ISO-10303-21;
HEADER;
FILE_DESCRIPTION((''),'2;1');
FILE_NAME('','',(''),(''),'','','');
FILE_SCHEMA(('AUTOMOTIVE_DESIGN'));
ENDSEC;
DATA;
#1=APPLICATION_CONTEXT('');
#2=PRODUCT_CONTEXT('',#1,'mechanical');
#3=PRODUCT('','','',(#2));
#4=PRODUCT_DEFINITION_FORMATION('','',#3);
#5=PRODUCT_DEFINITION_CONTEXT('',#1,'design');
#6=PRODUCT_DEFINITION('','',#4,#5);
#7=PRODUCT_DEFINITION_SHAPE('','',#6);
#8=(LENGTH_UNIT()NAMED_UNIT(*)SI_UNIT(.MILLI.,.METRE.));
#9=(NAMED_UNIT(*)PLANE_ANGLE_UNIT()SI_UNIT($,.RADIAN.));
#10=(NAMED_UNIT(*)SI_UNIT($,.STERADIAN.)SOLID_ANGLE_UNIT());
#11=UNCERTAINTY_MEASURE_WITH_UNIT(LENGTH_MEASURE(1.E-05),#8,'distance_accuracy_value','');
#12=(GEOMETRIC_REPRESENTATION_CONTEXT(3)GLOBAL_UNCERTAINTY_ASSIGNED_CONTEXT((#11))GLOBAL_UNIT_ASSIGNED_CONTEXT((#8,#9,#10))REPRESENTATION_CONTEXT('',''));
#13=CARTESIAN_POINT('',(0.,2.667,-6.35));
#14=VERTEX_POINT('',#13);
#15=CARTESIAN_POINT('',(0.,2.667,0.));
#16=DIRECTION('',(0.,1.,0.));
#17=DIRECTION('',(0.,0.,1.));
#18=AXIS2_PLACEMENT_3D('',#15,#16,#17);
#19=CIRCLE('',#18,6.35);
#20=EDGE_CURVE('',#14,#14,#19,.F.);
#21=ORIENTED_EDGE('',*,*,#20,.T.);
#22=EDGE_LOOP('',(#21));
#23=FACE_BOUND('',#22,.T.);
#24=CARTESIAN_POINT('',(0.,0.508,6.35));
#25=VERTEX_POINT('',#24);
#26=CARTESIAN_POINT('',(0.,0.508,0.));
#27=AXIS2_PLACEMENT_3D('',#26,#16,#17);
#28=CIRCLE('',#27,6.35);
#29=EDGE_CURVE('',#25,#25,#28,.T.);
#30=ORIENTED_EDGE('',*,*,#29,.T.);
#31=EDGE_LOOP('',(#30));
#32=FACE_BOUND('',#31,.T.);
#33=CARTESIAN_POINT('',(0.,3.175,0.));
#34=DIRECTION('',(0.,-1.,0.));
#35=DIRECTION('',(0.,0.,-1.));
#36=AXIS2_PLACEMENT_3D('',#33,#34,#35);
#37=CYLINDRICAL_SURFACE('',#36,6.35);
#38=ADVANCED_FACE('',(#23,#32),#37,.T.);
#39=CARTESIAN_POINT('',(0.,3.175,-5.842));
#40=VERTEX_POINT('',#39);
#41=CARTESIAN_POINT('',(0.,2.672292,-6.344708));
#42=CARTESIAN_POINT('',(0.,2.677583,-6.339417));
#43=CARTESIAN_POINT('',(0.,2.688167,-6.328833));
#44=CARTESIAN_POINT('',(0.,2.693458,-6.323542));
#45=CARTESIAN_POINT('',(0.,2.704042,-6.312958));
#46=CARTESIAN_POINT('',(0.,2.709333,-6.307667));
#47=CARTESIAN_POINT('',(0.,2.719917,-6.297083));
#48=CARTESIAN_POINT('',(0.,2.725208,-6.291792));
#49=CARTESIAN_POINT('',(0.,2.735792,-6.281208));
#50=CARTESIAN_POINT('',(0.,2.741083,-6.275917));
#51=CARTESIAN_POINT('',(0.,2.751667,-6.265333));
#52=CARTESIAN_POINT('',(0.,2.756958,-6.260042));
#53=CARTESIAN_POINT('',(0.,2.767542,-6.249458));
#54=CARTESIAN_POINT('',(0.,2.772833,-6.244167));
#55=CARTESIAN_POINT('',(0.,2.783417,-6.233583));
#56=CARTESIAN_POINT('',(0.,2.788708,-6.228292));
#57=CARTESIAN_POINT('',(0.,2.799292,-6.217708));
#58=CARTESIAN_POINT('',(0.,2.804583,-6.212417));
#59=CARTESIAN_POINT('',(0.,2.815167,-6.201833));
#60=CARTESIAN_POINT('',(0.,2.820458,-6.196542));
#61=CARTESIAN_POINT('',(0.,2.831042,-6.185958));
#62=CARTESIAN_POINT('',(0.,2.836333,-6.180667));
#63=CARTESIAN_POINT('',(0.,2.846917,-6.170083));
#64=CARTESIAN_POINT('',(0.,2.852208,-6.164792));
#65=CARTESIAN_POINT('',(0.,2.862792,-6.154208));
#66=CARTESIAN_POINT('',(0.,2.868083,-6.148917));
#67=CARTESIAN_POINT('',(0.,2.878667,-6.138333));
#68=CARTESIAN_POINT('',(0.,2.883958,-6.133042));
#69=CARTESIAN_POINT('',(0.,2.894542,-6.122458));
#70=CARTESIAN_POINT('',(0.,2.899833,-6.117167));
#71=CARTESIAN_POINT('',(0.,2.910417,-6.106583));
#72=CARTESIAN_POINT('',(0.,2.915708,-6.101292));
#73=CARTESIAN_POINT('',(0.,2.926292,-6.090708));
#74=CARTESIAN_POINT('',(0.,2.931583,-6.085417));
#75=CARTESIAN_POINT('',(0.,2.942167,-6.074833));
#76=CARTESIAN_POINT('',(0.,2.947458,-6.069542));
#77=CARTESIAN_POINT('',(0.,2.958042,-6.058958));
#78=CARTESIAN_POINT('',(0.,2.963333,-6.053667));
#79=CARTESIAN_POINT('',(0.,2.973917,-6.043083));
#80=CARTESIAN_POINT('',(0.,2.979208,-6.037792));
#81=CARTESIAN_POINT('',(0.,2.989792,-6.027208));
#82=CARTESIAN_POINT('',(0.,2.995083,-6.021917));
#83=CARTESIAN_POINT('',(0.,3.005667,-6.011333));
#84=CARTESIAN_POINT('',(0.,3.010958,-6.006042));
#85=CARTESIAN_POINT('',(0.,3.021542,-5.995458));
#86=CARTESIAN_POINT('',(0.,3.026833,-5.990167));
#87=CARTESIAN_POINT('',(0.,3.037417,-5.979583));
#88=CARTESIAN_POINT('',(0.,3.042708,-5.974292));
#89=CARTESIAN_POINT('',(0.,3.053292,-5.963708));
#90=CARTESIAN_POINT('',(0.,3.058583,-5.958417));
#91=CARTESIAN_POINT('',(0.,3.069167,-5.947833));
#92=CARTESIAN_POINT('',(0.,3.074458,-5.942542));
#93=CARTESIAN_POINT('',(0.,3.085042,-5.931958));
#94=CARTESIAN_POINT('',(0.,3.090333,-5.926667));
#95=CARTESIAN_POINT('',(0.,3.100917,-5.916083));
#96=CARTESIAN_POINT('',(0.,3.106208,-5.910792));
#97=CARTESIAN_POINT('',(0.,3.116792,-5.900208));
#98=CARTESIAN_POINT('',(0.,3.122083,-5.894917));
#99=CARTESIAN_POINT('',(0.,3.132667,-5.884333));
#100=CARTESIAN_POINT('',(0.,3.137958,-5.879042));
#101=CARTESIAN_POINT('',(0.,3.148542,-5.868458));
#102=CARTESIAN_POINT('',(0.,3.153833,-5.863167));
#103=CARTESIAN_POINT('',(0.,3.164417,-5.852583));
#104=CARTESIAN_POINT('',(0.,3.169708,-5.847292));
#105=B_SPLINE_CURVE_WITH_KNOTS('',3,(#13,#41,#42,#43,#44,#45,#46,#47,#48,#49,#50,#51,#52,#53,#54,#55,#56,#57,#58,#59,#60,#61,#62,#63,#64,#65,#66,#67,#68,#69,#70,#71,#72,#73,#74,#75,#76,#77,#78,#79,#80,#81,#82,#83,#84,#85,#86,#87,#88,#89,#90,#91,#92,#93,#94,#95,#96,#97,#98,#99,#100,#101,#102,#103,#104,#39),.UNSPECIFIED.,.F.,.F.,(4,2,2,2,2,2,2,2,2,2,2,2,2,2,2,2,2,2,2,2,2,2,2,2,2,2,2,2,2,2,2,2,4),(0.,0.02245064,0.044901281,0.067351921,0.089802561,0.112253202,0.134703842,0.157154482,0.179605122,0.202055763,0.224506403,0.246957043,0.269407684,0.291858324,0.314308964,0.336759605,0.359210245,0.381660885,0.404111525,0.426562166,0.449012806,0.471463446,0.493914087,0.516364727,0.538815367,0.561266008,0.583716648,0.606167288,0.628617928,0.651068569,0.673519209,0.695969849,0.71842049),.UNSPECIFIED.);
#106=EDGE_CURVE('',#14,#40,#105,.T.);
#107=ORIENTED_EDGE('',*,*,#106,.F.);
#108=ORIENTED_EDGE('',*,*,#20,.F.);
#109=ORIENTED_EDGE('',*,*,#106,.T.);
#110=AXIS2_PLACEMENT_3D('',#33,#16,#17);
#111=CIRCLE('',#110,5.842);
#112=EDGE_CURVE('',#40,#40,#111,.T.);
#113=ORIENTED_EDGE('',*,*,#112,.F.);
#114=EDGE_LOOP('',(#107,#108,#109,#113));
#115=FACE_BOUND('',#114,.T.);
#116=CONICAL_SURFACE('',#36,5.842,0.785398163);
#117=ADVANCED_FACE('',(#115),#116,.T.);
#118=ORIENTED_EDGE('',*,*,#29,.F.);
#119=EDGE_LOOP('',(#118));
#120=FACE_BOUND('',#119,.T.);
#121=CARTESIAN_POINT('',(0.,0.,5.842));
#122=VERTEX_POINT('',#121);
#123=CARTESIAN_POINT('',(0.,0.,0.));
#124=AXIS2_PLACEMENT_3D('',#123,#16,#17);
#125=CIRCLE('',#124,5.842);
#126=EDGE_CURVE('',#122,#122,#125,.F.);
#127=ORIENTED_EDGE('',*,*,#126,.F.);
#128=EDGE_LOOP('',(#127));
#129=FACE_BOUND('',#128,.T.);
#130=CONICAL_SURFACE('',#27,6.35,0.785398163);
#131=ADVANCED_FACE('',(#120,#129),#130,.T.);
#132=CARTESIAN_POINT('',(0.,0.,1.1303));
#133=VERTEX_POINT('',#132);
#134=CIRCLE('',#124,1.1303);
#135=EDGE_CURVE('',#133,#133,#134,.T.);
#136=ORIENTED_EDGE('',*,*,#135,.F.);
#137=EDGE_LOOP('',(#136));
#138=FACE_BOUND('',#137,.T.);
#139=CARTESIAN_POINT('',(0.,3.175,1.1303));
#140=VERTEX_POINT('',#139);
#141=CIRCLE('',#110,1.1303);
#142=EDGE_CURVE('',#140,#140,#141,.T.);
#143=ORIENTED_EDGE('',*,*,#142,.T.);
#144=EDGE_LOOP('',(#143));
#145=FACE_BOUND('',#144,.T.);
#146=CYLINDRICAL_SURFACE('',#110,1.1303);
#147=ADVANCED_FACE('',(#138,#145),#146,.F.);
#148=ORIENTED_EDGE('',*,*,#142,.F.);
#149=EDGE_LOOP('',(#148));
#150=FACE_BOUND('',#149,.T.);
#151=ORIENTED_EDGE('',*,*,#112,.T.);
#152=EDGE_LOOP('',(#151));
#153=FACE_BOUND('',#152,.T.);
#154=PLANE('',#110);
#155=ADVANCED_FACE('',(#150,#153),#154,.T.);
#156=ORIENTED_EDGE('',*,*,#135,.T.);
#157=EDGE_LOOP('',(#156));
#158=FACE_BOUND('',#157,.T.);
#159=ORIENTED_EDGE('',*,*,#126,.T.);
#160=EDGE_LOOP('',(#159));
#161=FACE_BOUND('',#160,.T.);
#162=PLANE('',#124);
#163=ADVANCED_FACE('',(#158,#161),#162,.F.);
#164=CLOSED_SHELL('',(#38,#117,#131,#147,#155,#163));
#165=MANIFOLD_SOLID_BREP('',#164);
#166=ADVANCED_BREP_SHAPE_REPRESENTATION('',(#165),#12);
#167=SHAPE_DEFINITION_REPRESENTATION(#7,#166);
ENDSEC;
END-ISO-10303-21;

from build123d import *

# Parameters (mm, degrees)
SKETCH1_R             = 6.35
BOSS_EXTRUDE1_DEPTH   = 3.175
F_4_40_TAPPED_HOLE1_D = 2.2606
CHAMFER1_SIZE         = 0.508


with BuildPart() as part:
    # Sketch1 → Boss-Extrude1 (new body)
    with BuildSketch(Plane(origin=(0, 0, 0), x_dir=(1, 0, 0), z_dir=(0, 1, 0))):
        with Locations(Location((0, 0, 0), (0, 0, 270))):
            Circle(SKETCH1_R)
    extrude(amount=BOSS_EXTRUDE1_DEPTH)

    # #4-40 Tapped Hole1 (through all)
    with Locations(Plane(origin=(0, 3.175, 0), x_dir=(1, 0, 0), z_dir=(0, 1, 0))):
        with Locations((0, 0)):
            Hole(F_4_40_TAPPED_HOLE1_D / 2)

    # Chamfer1
    chamfer1_edges = [part.edges().sort_by_distance(p)[0] for p in [
        (0, 0, -6.35),
        (0, 3.175, -6.35),
    ]]
    chamfer(chamfer1_edges, length=CHAMFER1_SIZE)


solid = part.part
